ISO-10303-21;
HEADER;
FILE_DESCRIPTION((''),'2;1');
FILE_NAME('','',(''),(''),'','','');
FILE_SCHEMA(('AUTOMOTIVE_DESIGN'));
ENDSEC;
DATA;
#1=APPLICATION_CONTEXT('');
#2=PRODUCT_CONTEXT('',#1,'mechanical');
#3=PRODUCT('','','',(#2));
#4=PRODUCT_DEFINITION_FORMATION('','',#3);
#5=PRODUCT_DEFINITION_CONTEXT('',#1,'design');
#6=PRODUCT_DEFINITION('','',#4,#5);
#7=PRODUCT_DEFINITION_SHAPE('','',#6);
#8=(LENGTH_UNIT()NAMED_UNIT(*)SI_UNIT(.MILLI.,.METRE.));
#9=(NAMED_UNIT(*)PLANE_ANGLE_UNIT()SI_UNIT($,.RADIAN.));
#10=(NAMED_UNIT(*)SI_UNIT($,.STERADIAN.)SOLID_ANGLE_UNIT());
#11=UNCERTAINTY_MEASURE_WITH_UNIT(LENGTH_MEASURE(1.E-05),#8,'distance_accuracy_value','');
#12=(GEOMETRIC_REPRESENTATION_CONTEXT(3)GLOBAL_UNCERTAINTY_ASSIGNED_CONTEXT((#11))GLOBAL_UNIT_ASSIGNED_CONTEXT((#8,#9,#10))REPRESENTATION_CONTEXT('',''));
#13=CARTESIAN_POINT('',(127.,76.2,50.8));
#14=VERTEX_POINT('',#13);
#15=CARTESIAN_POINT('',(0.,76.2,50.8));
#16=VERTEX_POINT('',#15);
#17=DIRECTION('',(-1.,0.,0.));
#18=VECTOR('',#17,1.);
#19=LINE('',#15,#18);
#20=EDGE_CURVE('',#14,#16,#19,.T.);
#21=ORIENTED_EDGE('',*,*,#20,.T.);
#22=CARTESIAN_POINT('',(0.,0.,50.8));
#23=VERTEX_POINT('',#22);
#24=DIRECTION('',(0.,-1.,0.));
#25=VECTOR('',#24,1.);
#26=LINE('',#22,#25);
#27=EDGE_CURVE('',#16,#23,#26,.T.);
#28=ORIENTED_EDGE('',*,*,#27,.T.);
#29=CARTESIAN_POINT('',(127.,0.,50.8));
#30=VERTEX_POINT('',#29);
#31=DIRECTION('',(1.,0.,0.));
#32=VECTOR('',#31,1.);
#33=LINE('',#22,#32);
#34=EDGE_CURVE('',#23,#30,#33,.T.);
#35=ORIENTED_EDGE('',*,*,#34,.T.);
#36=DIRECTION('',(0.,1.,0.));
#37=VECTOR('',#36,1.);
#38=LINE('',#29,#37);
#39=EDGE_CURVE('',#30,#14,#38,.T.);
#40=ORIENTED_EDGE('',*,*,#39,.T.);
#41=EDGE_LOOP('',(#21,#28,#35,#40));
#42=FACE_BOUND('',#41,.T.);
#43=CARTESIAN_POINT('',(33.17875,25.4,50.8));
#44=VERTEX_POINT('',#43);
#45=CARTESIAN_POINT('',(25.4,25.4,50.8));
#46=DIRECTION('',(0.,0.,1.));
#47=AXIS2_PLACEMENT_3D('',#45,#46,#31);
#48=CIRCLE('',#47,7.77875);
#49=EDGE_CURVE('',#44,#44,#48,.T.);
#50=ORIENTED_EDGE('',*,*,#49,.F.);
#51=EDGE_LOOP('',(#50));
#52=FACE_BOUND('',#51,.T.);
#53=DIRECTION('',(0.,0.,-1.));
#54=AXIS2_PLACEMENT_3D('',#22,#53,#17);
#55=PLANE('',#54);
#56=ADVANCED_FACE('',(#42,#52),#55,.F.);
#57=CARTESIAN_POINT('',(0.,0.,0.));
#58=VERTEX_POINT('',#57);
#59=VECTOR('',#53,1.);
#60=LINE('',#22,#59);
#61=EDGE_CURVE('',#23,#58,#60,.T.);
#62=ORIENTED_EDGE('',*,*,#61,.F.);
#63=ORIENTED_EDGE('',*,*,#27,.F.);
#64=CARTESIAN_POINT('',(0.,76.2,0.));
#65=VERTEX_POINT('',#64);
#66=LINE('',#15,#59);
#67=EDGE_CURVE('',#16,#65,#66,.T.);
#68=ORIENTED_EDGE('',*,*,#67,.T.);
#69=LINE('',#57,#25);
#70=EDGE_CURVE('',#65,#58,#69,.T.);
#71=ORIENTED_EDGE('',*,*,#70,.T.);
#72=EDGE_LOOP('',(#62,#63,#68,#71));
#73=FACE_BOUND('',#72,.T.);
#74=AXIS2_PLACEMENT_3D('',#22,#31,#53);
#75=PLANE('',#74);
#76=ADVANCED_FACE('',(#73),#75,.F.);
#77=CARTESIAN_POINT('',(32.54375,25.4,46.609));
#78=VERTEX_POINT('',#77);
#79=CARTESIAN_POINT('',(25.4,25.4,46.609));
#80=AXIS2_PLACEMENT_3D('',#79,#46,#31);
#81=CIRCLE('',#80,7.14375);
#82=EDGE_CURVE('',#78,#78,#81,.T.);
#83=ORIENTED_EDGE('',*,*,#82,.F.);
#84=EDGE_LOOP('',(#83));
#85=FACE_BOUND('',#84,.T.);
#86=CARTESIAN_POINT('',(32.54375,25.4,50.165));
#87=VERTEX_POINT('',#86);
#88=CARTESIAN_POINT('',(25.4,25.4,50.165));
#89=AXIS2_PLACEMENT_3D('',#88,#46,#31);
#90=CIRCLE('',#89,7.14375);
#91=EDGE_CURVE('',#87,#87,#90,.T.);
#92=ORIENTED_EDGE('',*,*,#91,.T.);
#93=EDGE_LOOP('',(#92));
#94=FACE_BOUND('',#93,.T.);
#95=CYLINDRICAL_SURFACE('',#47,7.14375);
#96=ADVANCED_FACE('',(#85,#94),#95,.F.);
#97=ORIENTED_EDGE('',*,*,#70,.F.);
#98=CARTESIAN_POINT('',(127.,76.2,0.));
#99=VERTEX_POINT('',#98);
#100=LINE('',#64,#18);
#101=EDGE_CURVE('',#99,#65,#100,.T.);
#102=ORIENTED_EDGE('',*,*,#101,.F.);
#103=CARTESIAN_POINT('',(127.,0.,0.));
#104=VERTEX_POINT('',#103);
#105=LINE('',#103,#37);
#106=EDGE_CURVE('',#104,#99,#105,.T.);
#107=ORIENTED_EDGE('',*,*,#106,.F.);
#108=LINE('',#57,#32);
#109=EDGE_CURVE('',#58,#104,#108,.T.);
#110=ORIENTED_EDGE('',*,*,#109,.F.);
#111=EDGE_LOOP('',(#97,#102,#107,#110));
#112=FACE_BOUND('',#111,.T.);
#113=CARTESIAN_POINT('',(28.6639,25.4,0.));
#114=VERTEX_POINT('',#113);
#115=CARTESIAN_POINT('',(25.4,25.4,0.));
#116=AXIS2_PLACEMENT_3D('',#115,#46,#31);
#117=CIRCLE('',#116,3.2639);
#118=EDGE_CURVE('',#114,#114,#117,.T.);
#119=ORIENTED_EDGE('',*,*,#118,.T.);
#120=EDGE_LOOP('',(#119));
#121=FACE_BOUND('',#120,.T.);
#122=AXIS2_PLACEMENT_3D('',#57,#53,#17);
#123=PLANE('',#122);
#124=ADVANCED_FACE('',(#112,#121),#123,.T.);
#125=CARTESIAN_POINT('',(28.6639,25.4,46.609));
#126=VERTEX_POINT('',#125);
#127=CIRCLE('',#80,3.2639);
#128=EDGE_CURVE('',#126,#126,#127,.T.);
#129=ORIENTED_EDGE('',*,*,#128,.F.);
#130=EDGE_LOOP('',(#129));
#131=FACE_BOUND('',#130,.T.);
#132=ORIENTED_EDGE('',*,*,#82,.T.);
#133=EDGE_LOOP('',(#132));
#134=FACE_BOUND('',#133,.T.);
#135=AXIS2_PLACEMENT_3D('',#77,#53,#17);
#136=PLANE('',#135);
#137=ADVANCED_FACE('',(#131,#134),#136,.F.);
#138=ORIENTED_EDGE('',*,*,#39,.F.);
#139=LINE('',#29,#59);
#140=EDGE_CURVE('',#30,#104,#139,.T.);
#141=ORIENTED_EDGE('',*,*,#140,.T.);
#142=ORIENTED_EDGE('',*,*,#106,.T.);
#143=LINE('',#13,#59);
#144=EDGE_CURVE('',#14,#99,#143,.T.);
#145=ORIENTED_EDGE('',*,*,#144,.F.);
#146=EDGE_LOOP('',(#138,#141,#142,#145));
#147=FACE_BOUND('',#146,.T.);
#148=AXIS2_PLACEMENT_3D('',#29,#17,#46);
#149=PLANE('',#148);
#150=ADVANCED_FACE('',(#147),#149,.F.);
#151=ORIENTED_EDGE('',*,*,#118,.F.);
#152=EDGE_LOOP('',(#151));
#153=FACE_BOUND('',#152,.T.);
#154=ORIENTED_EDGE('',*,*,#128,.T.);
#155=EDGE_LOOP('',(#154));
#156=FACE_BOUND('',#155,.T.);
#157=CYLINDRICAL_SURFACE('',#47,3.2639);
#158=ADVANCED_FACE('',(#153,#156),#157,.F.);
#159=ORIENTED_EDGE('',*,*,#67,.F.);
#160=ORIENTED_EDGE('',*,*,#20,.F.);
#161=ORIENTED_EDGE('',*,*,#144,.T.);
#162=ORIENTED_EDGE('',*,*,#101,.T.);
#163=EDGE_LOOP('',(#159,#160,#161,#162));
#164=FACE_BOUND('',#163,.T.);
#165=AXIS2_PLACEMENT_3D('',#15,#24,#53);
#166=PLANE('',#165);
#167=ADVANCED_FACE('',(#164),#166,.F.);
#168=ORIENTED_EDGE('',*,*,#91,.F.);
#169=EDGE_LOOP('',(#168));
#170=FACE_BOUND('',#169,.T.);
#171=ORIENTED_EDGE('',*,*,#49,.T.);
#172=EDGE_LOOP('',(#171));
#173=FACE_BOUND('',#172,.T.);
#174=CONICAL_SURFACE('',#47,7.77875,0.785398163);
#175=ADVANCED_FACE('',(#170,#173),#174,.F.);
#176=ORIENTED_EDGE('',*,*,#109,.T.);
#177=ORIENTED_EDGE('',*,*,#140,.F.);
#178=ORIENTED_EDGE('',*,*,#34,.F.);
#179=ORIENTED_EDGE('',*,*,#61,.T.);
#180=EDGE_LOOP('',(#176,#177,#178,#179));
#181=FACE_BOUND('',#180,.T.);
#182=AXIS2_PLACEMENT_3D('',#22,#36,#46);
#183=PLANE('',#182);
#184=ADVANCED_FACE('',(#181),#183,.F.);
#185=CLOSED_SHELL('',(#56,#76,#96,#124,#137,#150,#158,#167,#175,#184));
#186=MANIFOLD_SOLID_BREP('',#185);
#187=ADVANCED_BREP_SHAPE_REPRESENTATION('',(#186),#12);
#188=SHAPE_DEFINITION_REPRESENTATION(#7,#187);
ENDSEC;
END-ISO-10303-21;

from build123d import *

# Parameters (mm, degrees)
SKETCH2_W           = 127
SKETCH2_H           = 76.2
BOSS_EXTRUDE1_DEPTH = 50.8


with BuildPart() as part:
    # Sketch2 → Boss-Extrude1 (new body)
    with BuildSketch(Plane.XY):
        with Locations((63.5, 38.1)):
            Rectangle(SKETCH2_W, SKETCH2_H)
    extrude(amount=BOSS_EXTRUDE1_DEPTH)

    # Sketch5 → CBORE for 1/4 Binding Head Machine Screw1 (revolve, cut)
    with BuildSketch(Plane(origin=(25.4, 25.4, 50.8), x_dir=(0, -1, 0), z_dir=(1, 0, 0))):
        Polygon((0, 0), (0, 50.8), (3.2639, 50.8), (3.2639, 4.191), (7.14375, 4.191), (7.14375, 0.635), (7.77875, 0), align=None)
    revolve(axis=Axis((25.4, 25.4, 57.15), (0, 0, -1)), mode=Mode.SUBTRACT)


solid = part.part
